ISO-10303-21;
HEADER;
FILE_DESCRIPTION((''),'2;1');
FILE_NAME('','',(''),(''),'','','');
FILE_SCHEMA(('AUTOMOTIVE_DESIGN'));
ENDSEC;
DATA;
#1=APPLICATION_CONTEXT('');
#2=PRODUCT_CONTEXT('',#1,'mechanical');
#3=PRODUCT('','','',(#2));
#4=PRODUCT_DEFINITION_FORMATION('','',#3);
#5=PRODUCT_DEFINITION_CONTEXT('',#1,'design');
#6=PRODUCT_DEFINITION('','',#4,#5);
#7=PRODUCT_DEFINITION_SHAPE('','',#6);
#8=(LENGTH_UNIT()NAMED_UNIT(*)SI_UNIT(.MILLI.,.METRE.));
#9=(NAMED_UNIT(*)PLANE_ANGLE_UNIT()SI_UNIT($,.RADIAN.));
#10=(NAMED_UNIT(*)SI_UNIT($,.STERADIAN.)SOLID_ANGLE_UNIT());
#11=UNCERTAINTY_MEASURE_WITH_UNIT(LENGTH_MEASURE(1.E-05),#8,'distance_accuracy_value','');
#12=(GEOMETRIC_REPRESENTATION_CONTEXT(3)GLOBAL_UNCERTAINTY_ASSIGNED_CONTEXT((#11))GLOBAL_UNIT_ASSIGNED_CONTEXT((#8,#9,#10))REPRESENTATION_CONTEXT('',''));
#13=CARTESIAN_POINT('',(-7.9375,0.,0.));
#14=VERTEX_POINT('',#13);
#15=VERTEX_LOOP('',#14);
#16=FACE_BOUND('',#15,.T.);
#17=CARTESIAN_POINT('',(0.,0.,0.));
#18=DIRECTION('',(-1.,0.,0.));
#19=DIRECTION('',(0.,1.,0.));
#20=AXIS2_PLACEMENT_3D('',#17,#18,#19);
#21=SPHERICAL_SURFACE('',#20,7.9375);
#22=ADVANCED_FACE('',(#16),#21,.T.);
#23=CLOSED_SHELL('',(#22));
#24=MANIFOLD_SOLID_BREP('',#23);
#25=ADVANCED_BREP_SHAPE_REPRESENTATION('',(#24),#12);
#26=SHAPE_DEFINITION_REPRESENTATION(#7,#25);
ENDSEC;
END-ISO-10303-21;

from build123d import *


with BuildPart() as part:
    # Sketch3 → Revolve1 (revolve)
    with BuildSketch(Plane.XY):
        with BuildLine():
            Line((-7.9375, 0), (7.9375, 0))
            ThreePointArc((7.9375, 0), (0, 7.9375), (-7.9375, 0))
        make_face()
    revolve(axis=Axis((-7.9375, 0, 0), (1, 0, 0)))


solid = part.part
